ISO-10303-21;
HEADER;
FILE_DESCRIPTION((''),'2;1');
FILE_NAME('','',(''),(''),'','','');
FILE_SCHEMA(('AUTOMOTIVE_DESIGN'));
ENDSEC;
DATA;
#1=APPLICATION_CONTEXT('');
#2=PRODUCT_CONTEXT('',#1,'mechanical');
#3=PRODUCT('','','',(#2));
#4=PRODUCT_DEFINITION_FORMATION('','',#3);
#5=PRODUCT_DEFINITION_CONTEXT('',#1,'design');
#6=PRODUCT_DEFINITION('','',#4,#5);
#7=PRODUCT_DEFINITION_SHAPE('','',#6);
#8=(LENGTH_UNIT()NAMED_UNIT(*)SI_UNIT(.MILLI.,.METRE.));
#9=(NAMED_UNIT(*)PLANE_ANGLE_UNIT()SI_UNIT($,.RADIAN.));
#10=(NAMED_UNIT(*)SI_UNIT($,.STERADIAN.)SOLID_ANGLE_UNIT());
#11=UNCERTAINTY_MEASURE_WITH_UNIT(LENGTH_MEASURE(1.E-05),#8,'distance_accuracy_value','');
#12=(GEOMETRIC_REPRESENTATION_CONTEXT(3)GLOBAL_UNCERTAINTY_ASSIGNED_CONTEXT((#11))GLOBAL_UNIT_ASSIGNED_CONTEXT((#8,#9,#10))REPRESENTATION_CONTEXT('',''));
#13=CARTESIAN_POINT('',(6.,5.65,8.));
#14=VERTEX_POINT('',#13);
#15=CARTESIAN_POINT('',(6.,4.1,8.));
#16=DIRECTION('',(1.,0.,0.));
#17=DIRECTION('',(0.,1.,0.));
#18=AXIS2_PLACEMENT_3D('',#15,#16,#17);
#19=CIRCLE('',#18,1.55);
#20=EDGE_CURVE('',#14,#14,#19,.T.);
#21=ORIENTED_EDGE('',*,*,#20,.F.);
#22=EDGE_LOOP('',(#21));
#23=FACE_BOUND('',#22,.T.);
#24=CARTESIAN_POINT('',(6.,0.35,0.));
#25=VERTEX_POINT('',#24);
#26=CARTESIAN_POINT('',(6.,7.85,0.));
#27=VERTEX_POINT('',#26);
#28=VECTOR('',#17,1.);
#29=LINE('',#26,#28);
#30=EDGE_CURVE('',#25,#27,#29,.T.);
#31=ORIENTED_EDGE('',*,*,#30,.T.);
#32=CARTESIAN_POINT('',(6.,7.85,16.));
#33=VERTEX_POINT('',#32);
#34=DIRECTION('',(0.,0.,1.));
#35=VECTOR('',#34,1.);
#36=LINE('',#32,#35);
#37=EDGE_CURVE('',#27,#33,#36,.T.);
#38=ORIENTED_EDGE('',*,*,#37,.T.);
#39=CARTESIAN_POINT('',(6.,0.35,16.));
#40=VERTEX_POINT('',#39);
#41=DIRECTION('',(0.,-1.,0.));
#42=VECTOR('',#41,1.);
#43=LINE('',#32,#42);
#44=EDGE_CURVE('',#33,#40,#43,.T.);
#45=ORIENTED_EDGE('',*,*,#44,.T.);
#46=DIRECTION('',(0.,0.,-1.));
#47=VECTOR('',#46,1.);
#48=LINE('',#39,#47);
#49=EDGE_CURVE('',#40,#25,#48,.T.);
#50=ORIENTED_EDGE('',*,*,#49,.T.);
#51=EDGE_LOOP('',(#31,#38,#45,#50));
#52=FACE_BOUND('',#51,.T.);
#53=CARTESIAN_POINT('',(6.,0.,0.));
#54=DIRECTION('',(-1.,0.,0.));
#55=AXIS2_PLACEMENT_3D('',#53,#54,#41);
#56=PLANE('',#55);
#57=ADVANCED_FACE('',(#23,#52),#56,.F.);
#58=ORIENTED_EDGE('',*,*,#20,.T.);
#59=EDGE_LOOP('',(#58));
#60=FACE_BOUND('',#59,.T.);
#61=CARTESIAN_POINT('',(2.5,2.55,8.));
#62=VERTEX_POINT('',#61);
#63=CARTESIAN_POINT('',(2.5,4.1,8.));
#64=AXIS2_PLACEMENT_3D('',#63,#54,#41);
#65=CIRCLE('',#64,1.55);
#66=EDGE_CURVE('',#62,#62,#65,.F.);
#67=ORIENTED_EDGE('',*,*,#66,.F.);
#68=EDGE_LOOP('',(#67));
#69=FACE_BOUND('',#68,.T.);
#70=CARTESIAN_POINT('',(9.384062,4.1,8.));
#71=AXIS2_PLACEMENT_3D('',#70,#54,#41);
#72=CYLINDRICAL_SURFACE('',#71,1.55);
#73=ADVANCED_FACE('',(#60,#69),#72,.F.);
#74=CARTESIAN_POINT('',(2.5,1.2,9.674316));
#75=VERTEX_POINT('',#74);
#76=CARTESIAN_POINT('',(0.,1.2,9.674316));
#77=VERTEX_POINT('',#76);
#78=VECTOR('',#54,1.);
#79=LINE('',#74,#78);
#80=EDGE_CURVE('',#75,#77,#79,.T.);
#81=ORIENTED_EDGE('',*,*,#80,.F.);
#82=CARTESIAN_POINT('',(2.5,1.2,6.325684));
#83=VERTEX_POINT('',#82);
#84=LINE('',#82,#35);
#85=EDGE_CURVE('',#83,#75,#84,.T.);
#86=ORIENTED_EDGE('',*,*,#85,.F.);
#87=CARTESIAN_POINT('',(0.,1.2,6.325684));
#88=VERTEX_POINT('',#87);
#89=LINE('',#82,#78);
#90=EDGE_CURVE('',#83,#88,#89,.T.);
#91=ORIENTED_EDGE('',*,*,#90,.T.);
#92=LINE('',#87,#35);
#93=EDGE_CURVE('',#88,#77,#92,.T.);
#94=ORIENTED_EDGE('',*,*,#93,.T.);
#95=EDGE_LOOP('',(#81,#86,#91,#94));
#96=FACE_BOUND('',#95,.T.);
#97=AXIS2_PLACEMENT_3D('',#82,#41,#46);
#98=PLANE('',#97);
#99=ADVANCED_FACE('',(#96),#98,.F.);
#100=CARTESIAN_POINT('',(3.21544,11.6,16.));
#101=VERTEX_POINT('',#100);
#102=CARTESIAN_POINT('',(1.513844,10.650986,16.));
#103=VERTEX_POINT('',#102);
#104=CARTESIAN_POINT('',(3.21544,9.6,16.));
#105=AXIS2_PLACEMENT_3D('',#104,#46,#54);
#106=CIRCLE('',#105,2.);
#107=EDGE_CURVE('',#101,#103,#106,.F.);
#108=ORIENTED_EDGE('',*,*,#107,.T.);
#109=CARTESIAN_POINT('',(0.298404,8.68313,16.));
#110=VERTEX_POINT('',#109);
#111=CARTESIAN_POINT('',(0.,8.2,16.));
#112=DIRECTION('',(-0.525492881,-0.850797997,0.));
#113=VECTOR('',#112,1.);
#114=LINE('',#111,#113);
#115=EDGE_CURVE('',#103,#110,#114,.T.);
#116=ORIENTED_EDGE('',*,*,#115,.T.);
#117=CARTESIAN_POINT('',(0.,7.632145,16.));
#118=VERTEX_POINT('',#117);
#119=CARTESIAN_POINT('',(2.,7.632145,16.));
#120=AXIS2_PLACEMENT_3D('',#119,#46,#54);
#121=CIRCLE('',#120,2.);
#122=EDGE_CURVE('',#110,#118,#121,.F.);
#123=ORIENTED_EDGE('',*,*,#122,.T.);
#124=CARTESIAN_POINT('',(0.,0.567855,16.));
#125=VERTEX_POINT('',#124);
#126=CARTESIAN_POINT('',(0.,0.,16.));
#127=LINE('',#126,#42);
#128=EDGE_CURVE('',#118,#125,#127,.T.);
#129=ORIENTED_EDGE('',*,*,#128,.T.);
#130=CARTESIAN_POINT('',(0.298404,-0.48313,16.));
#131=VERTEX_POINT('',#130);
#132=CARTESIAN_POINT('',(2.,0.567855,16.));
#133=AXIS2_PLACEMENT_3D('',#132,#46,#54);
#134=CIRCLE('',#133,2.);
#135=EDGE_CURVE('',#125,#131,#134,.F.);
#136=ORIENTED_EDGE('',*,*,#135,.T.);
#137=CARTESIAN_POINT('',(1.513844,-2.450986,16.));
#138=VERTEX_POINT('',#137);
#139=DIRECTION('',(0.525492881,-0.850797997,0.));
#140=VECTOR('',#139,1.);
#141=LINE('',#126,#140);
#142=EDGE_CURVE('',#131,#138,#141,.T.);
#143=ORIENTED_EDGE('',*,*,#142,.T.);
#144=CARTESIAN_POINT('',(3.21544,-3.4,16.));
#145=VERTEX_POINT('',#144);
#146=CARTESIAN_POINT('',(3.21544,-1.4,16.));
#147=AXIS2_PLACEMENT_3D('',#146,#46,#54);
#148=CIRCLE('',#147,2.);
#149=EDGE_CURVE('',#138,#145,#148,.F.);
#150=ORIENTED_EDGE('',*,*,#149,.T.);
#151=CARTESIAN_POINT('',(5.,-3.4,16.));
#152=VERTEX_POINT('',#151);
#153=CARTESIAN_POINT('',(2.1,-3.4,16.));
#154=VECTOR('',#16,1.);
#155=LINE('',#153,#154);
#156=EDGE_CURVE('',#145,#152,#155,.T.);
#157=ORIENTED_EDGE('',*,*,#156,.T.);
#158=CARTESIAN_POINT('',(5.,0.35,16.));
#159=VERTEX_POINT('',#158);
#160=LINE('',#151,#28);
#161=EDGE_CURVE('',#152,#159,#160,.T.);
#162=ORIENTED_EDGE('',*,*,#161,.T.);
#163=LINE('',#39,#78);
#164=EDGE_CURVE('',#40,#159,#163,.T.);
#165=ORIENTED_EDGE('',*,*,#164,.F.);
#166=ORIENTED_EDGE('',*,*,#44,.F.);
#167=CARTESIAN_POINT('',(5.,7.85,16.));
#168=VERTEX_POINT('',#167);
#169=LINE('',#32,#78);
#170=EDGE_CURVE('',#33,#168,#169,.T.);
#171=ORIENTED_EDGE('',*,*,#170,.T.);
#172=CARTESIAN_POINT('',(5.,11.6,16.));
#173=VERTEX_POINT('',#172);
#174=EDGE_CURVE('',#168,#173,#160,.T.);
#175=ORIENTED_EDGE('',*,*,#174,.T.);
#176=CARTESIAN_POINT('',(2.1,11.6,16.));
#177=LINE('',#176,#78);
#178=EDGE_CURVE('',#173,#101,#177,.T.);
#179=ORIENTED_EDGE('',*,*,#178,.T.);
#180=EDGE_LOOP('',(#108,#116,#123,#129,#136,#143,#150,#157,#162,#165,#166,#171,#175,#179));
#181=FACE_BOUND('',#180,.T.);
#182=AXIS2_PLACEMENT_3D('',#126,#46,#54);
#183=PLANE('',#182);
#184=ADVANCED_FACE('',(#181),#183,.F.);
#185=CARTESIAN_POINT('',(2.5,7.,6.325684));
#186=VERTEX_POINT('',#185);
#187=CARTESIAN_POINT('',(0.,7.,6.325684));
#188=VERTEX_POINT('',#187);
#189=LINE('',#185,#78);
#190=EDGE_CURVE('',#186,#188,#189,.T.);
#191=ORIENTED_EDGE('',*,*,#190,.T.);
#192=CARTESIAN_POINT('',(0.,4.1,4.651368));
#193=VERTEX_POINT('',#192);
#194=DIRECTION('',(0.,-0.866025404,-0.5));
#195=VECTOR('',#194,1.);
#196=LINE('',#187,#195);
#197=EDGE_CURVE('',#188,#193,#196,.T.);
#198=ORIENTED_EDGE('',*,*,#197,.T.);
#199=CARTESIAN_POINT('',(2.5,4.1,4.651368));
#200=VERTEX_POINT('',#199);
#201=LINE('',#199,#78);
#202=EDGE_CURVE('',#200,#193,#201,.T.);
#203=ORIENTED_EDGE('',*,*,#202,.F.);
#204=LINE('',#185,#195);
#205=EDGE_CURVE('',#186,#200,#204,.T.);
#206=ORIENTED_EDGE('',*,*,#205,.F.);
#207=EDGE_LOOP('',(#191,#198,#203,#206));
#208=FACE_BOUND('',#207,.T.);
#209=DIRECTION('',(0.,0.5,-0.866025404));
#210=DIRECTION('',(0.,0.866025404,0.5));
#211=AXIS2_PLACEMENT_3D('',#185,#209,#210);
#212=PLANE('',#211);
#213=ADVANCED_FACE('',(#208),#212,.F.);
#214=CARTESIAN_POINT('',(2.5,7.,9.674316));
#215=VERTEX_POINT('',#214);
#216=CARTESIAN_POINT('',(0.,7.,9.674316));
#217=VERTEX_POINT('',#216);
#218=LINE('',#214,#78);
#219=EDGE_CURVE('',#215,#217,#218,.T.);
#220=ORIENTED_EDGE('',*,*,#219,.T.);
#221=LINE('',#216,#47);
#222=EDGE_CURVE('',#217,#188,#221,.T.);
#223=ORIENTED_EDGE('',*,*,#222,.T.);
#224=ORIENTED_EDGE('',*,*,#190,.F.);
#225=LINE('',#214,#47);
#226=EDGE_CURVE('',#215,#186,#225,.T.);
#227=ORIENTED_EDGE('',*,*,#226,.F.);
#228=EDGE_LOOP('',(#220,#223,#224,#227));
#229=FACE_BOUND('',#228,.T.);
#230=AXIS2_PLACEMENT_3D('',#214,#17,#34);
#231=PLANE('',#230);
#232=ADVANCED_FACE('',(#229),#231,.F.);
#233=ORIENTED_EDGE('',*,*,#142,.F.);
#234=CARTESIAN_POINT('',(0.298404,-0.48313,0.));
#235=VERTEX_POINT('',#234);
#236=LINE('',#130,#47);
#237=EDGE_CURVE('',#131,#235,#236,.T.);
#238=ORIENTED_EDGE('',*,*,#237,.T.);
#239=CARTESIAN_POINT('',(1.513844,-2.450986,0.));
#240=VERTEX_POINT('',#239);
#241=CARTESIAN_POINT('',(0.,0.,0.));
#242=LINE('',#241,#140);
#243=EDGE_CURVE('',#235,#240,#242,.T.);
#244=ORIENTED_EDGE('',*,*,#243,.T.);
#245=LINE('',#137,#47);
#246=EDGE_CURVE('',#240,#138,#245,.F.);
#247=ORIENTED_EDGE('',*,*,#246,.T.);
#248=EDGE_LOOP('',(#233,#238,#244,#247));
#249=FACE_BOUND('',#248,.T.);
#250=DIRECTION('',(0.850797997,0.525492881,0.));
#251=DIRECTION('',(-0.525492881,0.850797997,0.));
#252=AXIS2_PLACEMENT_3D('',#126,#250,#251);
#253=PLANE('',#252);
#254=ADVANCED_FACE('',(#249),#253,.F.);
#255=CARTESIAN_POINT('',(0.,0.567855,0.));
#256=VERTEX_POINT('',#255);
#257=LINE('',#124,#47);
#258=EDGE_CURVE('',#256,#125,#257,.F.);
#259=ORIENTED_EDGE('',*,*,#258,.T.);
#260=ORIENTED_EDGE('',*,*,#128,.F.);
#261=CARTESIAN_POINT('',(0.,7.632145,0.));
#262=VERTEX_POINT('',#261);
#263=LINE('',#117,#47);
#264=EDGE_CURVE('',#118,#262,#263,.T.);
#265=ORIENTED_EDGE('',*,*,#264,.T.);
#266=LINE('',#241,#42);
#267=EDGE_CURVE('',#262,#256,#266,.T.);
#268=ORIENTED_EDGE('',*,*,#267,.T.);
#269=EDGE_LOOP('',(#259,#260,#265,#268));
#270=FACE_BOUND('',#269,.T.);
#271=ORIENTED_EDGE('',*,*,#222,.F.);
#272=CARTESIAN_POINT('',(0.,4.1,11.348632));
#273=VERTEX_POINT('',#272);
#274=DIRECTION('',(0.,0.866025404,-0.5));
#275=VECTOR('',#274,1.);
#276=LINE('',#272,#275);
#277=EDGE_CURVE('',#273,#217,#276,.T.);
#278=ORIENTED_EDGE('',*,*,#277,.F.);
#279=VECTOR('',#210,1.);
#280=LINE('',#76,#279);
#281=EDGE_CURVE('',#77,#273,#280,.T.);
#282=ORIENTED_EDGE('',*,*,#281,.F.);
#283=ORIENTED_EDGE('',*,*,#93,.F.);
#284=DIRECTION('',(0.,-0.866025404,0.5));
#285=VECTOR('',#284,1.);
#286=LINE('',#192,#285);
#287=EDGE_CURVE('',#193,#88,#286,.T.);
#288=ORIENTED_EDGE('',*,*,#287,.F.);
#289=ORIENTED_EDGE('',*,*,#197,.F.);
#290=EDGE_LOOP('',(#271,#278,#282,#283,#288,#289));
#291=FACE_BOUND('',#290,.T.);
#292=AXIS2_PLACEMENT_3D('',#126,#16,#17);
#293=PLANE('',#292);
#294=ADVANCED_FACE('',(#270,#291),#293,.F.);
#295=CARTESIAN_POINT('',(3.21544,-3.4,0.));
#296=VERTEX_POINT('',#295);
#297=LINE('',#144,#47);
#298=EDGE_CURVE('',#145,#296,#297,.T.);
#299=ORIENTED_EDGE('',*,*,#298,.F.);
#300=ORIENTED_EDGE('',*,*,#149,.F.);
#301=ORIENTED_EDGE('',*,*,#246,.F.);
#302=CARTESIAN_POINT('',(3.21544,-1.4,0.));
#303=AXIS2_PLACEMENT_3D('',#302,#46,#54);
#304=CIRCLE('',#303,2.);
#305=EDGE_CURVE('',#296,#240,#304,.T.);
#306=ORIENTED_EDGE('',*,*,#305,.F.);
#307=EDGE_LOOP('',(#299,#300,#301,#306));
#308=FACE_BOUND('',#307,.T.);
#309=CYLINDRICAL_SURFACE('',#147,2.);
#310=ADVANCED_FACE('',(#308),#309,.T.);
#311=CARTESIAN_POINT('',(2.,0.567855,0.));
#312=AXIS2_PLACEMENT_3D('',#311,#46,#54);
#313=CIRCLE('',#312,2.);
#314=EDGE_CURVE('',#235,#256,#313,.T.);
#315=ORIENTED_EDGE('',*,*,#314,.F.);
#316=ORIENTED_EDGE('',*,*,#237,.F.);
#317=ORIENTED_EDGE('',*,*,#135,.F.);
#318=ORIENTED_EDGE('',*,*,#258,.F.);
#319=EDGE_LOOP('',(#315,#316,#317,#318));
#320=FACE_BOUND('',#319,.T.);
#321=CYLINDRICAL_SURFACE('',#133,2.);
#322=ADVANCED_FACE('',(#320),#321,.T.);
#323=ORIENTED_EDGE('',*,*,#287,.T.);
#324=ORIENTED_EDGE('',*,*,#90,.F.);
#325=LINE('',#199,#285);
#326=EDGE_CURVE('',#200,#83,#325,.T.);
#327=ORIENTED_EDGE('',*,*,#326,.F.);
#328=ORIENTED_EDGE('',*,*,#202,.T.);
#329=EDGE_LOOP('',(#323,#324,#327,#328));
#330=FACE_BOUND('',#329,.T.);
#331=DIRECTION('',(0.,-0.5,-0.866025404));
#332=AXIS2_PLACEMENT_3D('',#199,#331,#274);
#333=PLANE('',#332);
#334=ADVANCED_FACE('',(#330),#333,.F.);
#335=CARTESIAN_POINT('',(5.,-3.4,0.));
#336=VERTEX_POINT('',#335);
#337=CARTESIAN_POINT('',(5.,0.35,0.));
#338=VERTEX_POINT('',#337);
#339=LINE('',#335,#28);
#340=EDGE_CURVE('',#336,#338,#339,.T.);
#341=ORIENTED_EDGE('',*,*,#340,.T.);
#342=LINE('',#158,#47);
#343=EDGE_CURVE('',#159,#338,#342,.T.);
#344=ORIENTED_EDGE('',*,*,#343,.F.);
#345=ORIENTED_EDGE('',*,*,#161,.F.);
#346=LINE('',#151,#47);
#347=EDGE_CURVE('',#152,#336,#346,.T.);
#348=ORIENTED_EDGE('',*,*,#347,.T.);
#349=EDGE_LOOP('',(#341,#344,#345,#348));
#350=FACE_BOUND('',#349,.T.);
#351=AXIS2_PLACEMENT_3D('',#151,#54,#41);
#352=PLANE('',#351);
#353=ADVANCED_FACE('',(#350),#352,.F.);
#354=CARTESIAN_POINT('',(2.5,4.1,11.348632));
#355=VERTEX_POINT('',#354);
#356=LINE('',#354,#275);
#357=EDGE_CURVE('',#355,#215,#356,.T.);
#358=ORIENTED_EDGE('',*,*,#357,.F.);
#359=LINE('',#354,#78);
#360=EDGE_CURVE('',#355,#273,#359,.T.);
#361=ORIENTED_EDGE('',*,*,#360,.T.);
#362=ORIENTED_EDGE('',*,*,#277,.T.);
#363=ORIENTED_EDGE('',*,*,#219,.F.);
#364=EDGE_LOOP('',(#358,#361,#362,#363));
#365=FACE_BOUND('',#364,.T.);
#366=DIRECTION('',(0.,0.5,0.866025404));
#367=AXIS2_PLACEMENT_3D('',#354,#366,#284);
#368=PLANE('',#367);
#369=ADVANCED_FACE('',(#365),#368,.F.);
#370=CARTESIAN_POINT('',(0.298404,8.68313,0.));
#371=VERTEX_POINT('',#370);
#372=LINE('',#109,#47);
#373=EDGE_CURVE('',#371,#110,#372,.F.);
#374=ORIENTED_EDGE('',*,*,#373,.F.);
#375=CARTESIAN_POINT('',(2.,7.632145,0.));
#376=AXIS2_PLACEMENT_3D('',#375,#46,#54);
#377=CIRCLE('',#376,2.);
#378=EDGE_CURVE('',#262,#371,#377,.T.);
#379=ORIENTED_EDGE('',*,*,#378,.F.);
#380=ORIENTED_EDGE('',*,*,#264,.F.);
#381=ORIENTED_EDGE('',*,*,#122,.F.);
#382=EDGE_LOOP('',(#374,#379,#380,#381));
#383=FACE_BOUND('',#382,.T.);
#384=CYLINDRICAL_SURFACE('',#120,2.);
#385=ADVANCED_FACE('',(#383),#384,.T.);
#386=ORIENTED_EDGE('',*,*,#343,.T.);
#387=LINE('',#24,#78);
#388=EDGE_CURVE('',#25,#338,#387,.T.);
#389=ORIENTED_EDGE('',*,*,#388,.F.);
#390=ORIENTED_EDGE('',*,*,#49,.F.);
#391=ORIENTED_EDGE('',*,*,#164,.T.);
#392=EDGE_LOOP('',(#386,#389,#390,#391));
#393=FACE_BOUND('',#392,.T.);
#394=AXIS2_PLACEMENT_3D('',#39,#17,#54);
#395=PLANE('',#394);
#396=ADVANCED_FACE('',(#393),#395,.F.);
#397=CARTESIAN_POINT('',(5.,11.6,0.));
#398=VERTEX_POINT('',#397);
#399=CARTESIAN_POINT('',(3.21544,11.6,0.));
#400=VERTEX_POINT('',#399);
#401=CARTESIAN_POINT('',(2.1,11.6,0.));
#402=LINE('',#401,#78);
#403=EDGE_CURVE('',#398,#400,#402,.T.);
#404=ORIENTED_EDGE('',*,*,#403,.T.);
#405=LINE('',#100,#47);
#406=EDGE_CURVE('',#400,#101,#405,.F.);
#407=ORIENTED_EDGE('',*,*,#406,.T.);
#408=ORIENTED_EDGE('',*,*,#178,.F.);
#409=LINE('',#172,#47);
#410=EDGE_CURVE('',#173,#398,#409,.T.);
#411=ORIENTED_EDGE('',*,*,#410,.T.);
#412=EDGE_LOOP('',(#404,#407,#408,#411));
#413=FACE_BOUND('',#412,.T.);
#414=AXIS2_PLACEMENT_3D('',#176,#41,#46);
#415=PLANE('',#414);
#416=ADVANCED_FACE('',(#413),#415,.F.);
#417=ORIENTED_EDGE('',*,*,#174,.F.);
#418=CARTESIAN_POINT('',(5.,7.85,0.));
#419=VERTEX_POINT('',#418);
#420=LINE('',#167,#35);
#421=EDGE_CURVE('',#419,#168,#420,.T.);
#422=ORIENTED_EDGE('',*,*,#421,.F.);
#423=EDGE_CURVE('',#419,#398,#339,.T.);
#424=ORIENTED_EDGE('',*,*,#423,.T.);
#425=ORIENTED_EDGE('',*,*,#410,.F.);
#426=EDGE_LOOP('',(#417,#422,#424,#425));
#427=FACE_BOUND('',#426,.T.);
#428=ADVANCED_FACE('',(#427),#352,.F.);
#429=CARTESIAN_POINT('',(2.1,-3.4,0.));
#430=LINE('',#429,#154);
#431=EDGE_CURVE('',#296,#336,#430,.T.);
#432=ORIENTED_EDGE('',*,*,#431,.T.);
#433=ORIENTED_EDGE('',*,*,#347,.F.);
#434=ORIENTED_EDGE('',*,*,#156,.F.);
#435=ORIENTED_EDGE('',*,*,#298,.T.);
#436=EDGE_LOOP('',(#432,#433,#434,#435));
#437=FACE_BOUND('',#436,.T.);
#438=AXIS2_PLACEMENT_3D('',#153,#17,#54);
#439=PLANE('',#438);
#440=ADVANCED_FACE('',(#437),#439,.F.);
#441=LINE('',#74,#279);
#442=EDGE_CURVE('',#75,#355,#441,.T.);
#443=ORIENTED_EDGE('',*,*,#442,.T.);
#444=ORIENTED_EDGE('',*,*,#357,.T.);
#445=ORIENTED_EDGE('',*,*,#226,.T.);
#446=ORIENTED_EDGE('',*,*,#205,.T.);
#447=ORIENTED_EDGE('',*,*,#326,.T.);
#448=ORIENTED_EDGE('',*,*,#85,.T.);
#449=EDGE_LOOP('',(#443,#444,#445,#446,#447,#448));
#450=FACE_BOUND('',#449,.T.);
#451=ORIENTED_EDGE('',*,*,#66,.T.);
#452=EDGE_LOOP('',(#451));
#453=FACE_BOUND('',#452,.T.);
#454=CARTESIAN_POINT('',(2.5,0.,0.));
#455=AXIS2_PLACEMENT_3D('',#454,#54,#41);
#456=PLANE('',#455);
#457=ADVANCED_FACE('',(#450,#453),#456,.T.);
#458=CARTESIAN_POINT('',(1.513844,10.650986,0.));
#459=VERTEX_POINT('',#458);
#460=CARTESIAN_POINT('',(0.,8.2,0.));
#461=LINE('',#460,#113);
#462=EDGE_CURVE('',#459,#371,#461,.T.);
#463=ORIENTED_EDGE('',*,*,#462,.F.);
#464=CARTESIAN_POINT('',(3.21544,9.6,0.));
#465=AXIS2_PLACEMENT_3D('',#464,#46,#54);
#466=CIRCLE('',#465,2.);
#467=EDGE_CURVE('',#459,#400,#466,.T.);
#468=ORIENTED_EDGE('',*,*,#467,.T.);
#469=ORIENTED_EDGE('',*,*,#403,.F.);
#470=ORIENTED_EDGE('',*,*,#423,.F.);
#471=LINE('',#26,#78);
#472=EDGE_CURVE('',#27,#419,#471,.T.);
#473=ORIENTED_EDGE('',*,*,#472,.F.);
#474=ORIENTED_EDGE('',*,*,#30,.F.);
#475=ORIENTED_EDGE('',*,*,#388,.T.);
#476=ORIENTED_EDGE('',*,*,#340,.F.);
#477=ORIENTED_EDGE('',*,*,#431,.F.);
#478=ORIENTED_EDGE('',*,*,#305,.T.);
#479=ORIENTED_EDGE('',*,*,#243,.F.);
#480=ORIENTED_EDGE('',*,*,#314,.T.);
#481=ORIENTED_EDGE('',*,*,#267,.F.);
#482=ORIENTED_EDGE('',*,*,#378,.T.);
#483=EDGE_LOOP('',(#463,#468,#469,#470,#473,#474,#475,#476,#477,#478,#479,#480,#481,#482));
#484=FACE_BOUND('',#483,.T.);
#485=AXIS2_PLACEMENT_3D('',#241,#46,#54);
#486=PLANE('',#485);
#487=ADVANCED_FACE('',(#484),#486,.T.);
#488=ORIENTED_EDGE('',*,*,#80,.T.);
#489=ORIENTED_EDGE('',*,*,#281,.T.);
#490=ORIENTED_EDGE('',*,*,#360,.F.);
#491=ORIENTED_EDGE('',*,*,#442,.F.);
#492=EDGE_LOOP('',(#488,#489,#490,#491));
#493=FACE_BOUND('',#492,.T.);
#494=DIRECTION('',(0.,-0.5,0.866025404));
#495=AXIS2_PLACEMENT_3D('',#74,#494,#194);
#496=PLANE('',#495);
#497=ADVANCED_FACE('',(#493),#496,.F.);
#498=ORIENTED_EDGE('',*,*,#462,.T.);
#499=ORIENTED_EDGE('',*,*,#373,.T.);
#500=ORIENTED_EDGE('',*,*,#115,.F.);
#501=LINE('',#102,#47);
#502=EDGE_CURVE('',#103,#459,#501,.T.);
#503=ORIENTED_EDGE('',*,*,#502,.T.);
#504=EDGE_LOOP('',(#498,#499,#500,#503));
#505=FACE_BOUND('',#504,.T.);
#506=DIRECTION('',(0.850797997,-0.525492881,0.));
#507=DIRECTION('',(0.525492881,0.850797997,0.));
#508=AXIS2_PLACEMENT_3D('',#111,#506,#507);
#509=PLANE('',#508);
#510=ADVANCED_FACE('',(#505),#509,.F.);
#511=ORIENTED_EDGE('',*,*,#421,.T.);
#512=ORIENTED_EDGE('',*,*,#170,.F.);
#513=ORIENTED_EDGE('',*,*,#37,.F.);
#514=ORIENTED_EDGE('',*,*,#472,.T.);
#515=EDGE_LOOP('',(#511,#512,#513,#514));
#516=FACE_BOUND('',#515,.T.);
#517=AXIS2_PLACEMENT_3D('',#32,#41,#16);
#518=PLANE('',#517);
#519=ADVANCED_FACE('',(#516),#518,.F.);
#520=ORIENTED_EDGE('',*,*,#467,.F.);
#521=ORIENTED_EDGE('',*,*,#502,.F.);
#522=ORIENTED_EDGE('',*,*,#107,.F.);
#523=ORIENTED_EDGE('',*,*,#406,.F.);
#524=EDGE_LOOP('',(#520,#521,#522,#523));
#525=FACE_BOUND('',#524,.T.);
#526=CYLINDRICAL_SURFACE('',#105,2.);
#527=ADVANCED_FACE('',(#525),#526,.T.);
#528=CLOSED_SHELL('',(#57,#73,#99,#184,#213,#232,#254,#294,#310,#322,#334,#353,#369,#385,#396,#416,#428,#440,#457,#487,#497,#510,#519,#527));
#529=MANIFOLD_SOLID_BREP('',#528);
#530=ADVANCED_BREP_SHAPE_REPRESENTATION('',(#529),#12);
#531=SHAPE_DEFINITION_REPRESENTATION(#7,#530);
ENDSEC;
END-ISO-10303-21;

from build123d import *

# Parameters (mm, degrees)
SALIENTE_EXTRUIR1_DEPTH = 16
CROQUIS2_R              = 1.55
CORTAR_EXTRUIR1_DEPTH   = 5
CORTAR_EXTRUIR2_DEPTH   = 2.5
REDONDEO1_R             = 2
CROQUIS4_W              = 16
CROQUIS4_H              = 7.5
CROQUIS4_R              = 1.55
SALIENTE_EXTRUIR3_DEPTH = 1


with BuildPart() as part:
    # Croquis1 → Saliente-Extruir1 (new body)
    with BuildSketch(Plane.XY):
        Polygon((2.1, -3.4), (5, -3.4), (5, 11.6), (2.1, 11.6), (0, 8.2), (0, 0), align=None)
    extrude(amount=SALIENTE_EXTRUIR1_DEPTH)

    # Croquis2 → Cortar-Extruir1 (cut)
    with BuildSketch(Plane.ZY):
        with Locations(Location((8, 4.1, 0), (0, 0, 270))):
            Circle(CROQUIS2_R)
    extrude(amount=-CORTAR_EXTRUIR1_DEPTH, mode=Mode.SUBTRACT)

    # Croquis3 → Cortar-Extruir2 (cut)
    with BuildSketch(Plane.ZY):
        Polygon((11.348631561, 4.1), (9.674315781, 7), (6.325684219, 7), (4.651368439, 4.1), (6.325684219, 1.2), (9.674315781, 1.2), align=None)
    extrude(amount=-CORTAR_EXTRUIR2_DEPTH, mode=Mode.SUBTRACT)

    # Redondeo1
    redondeo1_edges = [part.edges().sort_by_distance(p)[0] for p in [
        (2.1, -3.4, 8),
        (0, 0, 8),
        (0, 8.2, 8),
        (2.1, 11.6, 8),
    ]]
    fillet(redondeo1_edges, radius=REDONDEO1_R)

    # Croquis4 → Saliente-Extruir3 (add)
    with BuildSketch(Plane(origin=(5, 0, 0), x_dir=(0, 0, -1), z_dir=(1, 0, 0))):
        with Locations((-8, 4.1)):
            Rectangle(CROQUIS4_W, CROQUIS4_H)
        with Locations(Location((-8, 4.1, 0), (0, 0, 270))):
            Circle(CROQUIS4_R, mode=Mode.SUBTRACT)
    extrude(amount=SALIENTE_EXTRUIR3_DEPTH)


solid = part.part
